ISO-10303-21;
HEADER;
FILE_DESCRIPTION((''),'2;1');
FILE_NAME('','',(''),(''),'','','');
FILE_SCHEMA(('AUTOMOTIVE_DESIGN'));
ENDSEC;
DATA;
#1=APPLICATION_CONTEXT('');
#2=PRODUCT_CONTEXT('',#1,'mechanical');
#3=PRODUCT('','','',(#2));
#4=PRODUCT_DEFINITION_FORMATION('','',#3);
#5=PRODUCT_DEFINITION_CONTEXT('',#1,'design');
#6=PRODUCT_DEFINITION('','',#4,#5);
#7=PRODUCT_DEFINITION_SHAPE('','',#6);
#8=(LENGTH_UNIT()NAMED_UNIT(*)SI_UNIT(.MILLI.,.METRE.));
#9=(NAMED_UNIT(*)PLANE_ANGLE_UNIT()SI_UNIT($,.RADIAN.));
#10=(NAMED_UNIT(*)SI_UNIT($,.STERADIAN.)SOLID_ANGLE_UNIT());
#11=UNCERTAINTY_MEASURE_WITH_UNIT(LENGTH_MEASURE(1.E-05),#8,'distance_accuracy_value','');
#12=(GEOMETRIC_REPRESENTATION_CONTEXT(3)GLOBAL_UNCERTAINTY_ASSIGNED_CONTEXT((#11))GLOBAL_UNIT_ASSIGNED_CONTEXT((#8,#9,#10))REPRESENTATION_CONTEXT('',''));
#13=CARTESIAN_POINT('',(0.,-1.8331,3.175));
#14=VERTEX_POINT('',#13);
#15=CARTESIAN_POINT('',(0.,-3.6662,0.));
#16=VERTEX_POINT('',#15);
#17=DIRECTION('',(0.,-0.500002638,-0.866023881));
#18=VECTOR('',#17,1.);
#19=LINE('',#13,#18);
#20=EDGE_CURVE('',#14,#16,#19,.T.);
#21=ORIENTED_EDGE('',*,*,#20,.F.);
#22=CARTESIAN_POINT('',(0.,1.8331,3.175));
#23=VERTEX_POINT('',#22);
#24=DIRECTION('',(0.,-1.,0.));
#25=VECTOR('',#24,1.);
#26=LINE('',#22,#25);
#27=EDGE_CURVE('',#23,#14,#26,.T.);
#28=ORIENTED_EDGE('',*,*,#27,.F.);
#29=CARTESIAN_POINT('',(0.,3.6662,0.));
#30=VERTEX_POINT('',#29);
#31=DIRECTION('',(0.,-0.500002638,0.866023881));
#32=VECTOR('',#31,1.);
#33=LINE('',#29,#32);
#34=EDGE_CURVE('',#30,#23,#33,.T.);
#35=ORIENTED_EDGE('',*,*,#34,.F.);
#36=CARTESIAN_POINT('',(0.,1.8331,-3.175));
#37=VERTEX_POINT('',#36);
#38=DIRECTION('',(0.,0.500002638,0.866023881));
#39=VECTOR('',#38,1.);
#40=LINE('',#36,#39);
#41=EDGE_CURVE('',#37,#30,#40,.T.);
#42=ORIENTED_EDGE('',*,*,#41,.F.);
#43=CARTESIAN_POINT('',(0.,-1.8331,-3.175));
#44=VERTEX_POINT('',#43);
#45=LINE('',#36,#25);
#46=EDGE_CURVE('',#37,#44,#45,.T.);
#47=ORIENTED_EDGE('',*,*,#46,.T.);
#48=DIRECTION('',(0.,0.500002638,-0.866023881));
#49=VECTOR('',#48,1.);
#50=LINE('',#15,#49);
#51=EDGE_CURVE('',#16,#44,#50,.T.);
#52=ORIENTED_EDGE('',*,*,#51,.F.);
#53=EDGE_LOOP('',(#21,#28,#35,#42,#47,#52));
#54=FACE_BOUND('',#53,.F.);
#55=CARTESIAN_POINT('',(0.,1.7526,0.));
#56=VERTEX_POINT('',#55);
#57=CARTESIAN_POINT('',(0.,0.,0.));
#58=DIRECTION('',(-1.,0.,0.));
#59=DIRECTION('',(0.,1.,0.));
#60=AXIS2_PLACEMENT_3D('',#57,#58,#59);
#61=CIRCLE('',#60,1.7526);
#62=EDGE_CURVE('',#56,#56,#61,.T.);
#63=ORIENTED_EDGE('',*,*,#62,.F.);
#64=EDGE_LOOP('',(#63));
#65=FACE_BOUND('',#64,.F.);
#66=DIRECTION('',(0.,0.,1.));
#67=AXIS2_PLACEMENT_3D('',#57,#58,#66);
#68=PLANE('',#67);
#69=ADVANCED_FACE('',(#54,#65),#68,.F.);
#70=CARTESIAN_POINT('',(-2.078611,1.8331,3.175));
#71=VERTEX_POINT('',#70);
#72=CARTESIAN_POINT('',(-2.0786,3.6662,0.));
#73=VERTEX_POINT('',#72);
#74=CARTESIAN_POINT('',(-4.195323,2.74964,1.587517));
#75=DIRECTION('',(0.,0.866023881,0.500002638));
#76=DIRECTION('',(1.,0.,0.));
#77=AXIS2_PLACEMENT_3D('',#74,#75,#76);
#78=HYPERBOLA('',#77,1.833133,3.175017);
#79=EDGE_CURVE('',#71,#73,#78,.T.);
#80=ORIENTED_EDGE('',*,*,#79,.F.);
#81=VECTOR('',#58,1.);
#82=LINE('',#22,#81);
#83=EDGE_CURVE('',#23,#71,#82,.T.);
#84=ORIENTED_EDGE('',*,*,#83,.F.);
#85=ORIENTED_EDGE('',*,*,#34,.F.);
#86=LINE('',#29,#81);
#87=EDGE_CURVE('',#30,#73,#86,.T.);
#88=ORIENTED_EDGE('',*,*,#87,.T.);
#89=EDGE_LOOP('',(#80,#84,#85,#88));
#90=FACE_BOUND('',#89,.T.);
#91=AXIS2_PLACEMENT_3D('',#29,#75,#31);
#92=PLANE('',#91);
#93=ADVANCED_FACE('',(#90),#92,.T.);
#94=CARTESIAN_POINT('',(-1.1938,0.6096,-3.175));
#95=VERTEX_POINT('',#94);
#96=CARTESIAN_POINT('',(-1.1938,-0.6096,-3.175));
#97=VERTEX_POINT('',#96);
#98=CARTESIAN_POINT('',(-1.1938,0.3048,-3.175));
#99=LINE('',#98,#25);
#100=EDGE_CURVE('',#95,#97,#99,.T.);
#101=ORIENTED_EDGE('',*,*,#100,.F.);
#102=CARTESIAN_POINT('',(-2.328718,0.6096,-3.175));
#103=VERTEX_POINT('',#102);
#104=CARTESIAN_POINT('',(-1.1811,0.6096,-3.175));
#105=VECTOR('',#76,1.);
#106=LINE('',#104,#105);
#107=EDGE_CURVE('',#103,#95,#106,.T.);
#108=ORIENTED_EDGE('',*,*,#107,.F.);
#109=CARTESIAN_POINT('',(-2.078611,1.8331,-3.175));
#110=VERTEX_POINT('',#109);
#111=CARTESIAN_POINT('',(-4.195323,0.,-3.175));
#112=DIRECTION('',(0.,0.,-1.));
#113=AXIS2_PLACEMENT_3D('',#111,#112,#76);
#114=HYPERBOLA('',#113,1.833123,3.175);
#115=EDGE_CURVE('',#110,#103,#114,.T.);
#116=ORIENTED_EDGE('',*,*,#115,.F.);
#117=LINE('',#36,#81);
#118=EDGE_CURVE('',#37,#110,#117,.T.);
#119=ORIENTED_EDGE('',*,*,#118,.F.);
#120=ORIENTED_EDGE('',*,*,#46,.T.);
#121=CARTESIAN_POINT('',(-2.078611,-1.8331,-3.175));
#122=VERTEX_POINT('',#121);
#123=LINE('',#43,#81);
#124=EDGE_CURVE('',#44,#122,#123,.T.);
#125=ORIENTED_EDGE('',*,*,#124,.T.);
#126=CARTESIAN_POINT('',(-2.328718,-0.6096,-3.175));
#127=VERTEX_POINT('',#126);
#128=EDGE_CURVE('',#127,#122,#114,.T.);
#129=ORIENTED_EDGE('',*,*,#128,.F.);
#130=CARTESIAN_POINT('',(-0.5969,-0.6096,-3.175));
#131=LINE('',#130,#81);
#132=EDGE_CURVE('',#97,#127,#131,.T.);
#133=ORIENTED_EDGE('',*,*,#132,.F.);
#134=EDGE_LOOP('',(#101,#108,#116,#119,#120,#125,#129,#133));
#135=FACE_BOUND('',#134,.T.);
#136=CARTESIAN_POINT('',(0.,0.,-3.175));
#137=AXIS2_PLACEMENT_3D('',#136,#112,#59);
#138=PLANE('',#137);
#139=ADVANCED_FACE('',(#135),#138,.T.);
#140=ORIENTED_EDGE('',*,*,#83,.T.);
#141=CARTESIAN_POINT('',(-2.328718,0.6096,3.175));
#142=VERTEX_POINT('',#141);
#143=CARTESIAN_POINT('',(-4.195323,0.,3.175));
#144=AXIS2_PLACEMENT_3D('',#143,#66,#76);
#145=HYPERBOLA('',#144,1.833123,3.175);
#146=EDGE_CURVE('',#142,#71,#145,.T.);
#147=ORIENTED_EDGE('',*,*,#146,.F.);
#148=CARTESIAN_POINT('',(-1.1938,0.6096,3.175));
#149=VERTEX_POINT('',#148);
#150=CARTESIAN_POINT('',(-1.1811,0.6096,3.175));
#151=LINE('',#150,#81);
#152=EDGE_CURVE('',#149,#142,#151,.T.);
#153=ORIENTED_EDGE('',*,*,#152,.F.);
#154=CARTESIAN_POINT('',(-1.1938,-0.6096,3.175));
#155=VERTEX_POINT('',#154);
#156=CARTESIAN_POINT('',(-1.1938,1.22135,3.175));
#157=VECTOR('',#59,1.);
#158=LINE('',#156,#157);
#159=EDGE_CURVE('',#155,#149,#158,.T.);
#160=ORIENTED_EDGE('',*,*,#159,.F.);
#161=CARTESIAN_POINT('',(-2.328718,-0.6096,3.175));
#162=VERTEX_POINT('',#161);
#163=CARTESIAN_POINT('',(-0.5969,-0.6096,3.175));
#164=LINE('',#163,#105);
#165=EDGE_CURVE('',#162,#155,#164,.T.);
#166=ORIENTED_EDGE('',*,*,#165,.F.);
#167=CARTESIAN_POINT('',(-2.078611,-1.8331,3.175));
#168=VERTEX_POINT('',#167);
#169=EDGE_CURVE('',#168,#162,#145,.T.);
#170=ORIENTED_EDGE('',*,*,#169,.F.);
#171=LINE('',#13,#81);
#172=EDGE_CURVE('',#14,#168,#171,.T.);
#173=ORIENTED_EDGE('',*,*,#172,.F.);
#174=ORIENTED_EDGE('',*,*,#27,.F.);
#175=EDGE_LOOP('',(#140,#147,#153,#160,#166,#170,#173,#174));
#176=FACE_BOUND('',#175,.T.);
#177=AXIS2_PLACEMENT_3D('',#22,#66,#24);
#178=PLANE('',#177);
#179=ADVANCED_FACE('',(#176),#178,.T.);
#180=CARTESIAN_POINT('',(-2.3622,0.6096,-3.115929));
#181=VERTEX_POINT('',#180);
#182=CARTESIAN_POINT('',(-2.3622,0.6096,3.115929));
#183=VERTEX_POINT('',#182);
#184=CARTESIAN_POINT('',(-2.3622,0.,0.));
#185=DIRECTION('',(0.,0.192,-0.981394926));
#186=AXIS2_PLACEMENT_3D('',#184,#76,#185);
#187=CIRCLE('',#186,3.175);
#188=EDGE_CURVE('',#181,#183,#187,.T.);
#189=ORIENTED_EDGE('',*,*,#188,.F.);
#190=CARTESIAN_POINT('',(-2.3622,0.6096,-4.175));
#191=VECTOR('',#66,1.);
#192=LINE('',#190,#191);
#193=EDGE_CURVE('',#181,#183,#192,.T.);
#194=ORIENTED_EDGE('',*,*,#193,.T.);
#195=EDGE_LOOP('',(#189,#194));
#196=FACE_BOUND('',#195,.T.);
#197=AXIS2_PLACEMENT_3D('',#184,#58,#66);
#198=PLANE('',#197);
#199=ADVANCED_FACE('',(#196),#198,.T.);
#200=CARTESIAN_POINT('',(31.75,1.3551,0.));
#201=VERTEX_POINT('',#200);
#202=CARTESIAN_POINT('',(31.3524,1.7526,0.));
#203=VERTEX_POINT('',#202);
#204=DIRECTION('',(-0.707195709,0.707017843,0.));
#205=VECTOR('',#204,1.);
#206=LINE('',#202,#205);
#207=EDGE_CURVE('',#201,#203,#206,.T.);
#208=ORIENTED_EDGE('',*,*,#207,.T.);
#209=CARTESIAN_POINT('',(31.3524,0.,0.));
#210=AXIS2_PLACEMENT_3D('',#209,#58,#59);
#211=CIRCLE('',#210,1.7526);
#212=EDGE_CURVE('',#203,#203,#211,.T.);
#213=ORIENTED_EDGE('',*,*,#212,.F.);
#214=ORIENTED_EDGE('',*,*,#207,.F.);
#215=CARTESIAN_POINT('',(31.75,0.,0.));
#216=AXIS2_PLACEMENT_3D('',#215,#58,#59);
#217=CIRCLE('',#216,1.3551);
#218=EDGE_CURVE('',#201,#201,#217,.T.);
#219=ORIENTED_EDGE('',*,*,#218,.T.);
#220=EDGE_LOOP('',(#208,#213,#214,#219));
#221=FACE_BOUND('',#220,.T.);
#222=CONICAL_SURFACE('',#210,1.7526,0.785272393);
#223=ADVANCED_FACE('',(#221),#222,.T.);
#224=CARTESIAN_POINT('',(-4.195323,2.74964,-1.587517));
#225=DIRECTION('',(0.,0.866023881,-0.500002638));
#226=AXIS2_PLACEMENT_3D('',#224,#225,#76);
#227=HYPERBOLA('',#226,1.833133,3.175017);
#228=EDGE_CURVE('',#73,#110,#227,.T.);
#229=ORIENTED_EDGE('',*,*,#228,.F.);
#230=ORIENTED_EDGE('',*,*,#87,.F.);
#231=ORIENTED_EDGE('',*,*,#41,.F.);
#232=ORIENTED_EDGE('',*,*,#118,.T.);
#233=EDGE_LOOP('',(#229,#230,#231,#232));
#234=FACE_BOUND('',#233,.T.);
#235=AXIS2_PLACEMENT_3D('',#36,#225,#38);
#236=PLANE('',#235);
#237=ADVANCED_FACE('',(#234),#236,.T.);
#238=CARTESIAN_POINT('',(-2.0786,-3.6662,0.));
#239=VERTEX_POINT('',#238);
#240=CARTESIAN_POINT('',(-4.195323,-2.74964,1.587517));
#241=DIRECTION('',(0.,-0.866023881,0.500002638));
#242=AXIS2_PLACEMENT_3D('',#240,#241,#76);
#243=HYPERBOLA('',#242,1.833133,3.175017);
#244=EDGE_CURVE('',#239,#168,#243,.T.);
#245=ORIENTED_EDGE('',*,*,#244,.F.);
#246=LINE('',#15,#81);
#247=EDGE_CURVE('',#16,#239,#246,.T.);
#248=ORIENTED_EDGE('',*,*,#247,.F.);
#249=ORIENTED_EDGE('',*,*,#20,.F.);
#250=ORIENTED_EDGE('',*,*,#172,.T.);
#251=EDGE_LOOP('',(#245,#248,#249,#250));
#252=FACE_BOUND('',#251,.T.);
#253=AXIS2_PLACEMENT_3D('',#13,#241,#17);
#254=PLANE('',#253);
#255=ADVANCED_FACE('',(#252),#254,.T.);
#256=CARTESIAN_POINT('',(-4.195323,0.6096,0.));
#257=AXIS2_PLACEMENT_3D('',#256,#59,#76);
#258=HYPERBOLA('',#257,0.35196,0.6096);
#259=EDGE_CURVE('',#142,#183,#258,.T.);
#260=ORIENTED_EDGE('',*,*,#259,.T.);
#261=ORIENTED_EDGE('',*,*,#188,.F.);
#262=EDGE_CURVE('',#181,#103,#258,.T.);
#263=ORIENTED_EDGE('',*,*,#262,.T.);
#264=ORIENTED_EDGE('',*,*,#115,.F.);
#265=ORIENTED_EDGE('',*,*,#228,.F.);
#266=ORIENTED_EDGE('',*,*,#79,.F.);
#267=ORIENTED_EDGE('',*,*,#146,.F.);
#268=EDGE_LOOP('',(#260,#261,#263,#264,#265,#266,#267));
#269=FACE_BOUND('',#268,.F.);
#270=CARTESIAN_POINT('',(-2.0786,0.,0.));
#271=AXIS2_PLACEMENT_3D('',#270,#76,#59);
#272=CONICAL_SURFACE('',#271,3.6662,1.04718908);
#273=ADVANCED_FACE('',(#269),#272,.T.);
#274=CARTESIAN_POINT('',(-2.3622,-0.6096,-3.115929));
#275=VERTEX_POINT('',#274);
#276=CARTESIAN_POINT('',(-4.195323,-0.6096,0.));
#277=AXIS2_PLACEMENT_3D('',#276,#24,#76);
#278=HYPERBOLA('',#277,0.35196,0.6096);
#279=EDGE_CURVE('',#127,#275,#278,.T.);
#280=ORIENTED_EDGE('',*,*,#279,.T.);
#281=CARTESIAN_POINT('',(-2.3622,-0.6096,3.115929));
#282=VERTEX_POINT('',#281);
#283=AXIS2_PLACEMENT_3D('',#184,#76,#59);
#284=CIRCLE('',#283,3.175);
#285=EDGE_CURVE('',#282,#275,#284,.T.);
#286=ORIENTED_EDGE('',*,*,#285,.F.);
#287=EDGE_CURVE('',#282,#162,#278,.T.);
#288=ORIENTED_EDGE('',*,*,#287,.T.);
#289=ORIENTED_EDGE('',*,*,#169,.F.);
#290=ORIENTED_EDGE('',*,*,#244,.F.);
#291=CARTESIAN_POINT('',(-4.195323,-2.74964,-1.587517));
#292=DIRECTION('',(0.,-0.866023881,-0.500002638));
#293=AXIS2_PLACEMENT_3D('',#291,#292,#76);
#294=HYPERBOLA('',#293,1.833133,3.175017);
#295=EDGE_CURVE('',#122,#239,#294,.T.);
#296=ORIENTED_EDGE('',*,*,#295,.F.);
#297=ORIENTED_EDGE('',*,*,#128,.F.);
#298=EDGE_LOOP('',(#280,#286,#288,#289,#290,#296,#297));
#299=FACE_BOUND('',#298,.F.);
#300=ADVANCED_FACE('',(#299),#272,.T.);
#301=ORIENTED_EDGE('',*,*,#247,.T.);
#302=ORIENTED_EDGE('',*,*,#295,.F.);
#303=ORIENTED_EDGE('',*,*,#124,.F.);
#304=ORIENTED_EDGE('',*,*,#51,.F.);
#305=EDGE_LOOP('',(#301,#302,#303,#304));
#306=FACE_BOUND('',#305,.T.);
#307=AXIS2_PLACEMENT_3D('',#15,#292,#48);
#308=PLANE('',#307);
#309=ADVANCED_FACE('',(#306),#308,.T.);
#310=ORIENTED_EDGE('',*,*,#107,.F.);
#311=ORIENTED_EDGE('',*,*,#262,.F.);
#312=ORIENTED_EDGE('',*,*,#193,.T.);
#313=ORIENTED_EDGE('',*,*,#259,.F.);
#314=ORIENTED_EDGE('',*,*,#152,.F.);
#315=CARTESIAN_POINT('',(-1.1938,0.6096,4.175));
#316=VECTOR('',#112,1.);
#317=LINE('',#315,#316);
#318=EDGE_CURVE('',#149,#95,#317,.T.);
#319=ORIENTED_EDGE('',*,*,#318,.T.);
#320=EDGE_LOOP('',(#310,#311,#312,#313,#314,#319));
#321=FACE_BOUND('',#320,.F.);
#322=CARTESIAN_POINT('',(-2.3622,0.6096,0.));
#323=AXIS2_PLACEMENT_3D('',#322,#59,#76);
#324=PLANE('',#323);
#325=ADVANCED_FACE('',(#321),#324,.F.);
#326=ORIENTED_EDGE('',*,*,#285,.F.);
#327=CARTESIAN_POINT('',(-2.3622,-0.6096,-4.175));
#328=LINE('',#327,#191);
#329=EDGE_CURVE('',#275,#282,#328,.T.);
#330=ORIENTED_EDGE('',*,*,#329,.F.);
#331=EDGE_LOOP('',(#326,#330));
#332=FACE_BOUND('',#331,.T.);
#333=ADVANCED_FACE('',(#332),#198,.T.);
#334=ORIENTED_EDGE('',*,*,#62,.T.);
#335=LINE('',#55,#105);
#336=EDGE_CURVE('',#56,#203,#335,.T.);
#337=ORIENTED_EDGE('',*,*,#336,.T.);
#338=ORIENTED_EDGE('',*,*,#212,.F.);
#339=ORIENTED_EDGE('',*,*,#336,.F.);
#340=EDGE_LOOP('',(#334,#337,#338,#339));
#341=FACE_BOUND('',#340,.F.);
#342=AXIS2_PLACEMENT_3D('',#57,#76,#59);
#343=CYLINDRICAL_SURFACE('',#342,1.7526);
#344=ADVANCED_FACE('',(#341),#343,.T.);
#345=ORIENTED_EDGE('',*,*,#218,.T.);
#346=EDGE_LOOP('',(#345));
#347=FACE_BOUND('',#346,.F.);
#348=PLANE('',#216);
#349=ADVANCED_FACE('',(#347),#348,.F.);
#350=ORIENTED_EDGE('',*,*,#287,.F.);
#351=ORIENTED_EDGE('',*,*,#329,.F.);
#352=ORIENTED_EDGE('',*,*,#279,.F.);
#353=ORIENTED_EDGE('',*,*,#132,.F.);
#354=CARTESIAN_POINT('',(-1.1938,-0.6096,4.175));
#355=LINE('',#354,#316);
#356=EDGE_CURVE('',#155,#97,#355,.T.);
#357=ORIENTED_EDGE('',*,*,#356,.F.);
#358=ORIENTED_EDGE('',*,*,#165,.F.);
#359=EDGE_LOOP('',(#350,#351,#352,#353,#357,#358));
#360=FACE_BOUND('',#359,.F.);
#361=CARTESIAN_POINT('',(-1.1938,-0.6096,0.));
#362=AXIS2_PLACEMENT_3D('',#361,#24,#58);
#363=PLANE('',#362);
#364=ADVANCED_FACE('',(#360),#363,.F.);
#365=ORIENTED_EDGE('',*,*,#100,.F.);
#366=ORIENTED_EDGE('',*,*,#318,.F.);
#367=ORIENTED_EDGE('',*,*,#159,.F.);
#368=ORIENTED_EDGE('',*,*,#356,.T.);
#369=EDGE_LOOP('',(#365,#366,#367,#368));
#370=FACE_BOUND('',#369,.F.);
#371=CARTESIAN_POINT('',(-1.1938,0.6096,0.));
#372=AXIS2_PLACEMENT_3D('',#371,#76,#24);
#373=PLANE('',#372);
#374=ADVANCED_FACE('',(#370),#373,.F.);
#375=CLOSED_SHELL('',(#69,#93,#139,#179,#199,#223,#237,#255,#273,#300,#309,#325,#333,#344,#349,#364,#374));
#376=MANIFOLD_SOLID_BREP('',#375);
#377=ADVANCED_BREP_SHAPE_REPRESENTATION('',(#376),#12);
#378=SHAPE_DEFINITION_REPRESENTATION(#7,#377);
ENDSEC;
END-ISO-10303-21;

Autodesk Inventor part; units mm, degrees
ref_plane "YZ Plane" through (0, 0, 0) normal (1, 0, 0) x (0, 1, 0)
ref_plane "XZ Plane" through (0, 0, 0) normal (0, 1, 0) x (-1, 0, 0)
sketch "Boceto1" plane through (0, 0, 0) normal (0, 0, 1) x (1, 0, 0)
  line L0 (0, 1.7526) -> (31.75, 1.7526)
  line L1 (31.75, 1.7526) -> (31.75, 0)
  line L2 (31.75, 0) -> (0, 0)
  line L3 (-6.35, 0) -> (38.1, 0) projected
  line L4 (0, -0.3505) -> (0, 2.1031) projected
  line L5 (0, 1.7526) -> (0, 0)
  dimension "d1" = 3.5052
  dimension "d52" = 31.75
revolve "Cuerpo" add sketch "Boceto1" angle 360 about axis through (31.75, 0, 0) along (-1, 0, 0)
sketch "Boceto2" plane through (0, 0, 0) normal (-1, 0, 0) x (0, 0, 1)
  line L0 (0, 3.6662) -> (3.175, 1.8331)
  line L1 (3.175, 1.8331) -> (3.175, -1.8331)
  line L2 (3.175, -1.8331) -> (0, -3.6662)
  line L3 (0, -3.6662) -> (-3.175, -1.8331)
  line L4 (-3.175, -1.8331) -> (-3.175, 1.8331)
  line L5 (-3.175, 1.8331) -> (0, 3.6662)
  line L6 (-4.445, 0) -> (4.445, 0) projected
  line L7 (0, 5.1326) -> (0, -5.1326) projected
  point P0 (0, 0)
  point P1 (0, 0)
  dimension "d10" = 6.35
extrude "Cabeza" add sketch "Boceto2" along normal blind 2.3622
sketch "Boceto3" plane through (0, 0, 0) normal (0, 0, 1) x (1, 0, 0)
  line L0 (-2.3622, 0.6096) -> (-1.1938, 0.6096)
  line L1 (-1.1938, 0.6096) -> (-1.1938, -0.6096)
  line L2 (-1.1938, -0.6096) -> (-2.3622, -0.6096)
  line L3 (-2.3622, -0.6096) -> (-2.3622, 0.6096)
  line L4 (-1.1938, 0) -> (-2.3622, 0) construction
  line L5 (-2.5959, 0) -> (-0.9601, 0) projected
  line L6 (-2.3622, 1.8331) -> (-2.3622, -1.8331) projected
  dimension "d11" = 1.2192
  dimension "d13" = 1.1684
extrude "Ranura" cut sketch "Boceto3" along normal through all both and the other way through all
sketch "Boceto4" plane through (0, 0, 0) normal (0, 0, 1) x (1, 0, 0)
  line L0 (-2.3622, 3.175) -> (-2.3622, 3.6662)
  line L1 (-2.3622, 3.6662) -> (-2.0786, 3.6662)
  line L2 (-2.0786, 3.6662) -> (-2.3622, 3.175)
  line L3 (-2.0786, 3.6662) -> (-2.3622, 3.6662)
  line L4 (-2.3622, 3.6662) -> (-2.3622, 3.175)
  line L5 (-2.3622, 3.6662) -> (-2.3622, 1.8331) projected
  line L6 (-2.8346, 0) -> (0.4724, 0) projected
  line L7 (0, 3.6662) -> (-2.3622, 3.6662) projected
  dimension "d4" = 30
  dimension "d17" = 6.35
revolve "Chaflán1" cut sketch "Boceto4" angle 360 about axis through (-10, 0, 0) along (1, 0, 0)
thread "Rosca" size "6-32 UNC" class "2A" standard "ANSI Unified Screw Threads" length 31.2623
chamfer "Chaflán2" distance 0.3975 distance2 0.3976 1 edges at (31.75, -1.7526, 0) measured on face at (31.75, 0.2072, -0.5462)
ref_plane "Work Plane1" through (60, 0, 0) normal (0, 0, 1) x (1, 0, 0)
equation "\"d1\" = GD"
equation "\"d52\" = NLG"
equation "\"d10\" = SW"
equation "\"d2\" = KOH - SD"
equation "\"d11\" = SBR"
equation "\"d13\" = STI"
equation "\"d4\" = ANG1"
equation "\"d17\" = SW0"
equation "\"d15\" = GEL"
equation "\"d5\" = -0.5 * SPD + 0.5 * GD"
equation "\"NLG\" = 31.75"
equation "\"GD\" = NND"
equation "\"KOH\" = 2.3622"
equation "\"GEL\" = 31.26232"
equation "\"SW\" = 6.35"
equation "\"SW0\" = 6.35"
equation "\"SPD\" = GD1"
equation "\"SD2\" = NND"
equation "\"SD\" = 0"
equation "\"ANG1\" = 30deg"
equation "\"GUL\" = -0.5 * GD1 + 0.5 * NND"
equation "\"STI\" = 1.1684"
equation "\"SBR\" = 1.2192"
equation "\"RR\" = 0.39751"
equation "\"THREADDIA\" = 3.5052"
equation "\"TOA\" = 30deg"
equation "\"BDM\" = NND"
equation "\"FAWI\" = 45deg"
equation "\"NND\" = 3.5052"
equation "\"E0\" = 1.155 * SW"
equation "\"GAL\" = 0.39751"
equation "\"GD1\" = 2.71018"
properties part number "ANSI B18.6.3 - Nº 6 - 32 x 1 1/4" material "Acero, suave"
